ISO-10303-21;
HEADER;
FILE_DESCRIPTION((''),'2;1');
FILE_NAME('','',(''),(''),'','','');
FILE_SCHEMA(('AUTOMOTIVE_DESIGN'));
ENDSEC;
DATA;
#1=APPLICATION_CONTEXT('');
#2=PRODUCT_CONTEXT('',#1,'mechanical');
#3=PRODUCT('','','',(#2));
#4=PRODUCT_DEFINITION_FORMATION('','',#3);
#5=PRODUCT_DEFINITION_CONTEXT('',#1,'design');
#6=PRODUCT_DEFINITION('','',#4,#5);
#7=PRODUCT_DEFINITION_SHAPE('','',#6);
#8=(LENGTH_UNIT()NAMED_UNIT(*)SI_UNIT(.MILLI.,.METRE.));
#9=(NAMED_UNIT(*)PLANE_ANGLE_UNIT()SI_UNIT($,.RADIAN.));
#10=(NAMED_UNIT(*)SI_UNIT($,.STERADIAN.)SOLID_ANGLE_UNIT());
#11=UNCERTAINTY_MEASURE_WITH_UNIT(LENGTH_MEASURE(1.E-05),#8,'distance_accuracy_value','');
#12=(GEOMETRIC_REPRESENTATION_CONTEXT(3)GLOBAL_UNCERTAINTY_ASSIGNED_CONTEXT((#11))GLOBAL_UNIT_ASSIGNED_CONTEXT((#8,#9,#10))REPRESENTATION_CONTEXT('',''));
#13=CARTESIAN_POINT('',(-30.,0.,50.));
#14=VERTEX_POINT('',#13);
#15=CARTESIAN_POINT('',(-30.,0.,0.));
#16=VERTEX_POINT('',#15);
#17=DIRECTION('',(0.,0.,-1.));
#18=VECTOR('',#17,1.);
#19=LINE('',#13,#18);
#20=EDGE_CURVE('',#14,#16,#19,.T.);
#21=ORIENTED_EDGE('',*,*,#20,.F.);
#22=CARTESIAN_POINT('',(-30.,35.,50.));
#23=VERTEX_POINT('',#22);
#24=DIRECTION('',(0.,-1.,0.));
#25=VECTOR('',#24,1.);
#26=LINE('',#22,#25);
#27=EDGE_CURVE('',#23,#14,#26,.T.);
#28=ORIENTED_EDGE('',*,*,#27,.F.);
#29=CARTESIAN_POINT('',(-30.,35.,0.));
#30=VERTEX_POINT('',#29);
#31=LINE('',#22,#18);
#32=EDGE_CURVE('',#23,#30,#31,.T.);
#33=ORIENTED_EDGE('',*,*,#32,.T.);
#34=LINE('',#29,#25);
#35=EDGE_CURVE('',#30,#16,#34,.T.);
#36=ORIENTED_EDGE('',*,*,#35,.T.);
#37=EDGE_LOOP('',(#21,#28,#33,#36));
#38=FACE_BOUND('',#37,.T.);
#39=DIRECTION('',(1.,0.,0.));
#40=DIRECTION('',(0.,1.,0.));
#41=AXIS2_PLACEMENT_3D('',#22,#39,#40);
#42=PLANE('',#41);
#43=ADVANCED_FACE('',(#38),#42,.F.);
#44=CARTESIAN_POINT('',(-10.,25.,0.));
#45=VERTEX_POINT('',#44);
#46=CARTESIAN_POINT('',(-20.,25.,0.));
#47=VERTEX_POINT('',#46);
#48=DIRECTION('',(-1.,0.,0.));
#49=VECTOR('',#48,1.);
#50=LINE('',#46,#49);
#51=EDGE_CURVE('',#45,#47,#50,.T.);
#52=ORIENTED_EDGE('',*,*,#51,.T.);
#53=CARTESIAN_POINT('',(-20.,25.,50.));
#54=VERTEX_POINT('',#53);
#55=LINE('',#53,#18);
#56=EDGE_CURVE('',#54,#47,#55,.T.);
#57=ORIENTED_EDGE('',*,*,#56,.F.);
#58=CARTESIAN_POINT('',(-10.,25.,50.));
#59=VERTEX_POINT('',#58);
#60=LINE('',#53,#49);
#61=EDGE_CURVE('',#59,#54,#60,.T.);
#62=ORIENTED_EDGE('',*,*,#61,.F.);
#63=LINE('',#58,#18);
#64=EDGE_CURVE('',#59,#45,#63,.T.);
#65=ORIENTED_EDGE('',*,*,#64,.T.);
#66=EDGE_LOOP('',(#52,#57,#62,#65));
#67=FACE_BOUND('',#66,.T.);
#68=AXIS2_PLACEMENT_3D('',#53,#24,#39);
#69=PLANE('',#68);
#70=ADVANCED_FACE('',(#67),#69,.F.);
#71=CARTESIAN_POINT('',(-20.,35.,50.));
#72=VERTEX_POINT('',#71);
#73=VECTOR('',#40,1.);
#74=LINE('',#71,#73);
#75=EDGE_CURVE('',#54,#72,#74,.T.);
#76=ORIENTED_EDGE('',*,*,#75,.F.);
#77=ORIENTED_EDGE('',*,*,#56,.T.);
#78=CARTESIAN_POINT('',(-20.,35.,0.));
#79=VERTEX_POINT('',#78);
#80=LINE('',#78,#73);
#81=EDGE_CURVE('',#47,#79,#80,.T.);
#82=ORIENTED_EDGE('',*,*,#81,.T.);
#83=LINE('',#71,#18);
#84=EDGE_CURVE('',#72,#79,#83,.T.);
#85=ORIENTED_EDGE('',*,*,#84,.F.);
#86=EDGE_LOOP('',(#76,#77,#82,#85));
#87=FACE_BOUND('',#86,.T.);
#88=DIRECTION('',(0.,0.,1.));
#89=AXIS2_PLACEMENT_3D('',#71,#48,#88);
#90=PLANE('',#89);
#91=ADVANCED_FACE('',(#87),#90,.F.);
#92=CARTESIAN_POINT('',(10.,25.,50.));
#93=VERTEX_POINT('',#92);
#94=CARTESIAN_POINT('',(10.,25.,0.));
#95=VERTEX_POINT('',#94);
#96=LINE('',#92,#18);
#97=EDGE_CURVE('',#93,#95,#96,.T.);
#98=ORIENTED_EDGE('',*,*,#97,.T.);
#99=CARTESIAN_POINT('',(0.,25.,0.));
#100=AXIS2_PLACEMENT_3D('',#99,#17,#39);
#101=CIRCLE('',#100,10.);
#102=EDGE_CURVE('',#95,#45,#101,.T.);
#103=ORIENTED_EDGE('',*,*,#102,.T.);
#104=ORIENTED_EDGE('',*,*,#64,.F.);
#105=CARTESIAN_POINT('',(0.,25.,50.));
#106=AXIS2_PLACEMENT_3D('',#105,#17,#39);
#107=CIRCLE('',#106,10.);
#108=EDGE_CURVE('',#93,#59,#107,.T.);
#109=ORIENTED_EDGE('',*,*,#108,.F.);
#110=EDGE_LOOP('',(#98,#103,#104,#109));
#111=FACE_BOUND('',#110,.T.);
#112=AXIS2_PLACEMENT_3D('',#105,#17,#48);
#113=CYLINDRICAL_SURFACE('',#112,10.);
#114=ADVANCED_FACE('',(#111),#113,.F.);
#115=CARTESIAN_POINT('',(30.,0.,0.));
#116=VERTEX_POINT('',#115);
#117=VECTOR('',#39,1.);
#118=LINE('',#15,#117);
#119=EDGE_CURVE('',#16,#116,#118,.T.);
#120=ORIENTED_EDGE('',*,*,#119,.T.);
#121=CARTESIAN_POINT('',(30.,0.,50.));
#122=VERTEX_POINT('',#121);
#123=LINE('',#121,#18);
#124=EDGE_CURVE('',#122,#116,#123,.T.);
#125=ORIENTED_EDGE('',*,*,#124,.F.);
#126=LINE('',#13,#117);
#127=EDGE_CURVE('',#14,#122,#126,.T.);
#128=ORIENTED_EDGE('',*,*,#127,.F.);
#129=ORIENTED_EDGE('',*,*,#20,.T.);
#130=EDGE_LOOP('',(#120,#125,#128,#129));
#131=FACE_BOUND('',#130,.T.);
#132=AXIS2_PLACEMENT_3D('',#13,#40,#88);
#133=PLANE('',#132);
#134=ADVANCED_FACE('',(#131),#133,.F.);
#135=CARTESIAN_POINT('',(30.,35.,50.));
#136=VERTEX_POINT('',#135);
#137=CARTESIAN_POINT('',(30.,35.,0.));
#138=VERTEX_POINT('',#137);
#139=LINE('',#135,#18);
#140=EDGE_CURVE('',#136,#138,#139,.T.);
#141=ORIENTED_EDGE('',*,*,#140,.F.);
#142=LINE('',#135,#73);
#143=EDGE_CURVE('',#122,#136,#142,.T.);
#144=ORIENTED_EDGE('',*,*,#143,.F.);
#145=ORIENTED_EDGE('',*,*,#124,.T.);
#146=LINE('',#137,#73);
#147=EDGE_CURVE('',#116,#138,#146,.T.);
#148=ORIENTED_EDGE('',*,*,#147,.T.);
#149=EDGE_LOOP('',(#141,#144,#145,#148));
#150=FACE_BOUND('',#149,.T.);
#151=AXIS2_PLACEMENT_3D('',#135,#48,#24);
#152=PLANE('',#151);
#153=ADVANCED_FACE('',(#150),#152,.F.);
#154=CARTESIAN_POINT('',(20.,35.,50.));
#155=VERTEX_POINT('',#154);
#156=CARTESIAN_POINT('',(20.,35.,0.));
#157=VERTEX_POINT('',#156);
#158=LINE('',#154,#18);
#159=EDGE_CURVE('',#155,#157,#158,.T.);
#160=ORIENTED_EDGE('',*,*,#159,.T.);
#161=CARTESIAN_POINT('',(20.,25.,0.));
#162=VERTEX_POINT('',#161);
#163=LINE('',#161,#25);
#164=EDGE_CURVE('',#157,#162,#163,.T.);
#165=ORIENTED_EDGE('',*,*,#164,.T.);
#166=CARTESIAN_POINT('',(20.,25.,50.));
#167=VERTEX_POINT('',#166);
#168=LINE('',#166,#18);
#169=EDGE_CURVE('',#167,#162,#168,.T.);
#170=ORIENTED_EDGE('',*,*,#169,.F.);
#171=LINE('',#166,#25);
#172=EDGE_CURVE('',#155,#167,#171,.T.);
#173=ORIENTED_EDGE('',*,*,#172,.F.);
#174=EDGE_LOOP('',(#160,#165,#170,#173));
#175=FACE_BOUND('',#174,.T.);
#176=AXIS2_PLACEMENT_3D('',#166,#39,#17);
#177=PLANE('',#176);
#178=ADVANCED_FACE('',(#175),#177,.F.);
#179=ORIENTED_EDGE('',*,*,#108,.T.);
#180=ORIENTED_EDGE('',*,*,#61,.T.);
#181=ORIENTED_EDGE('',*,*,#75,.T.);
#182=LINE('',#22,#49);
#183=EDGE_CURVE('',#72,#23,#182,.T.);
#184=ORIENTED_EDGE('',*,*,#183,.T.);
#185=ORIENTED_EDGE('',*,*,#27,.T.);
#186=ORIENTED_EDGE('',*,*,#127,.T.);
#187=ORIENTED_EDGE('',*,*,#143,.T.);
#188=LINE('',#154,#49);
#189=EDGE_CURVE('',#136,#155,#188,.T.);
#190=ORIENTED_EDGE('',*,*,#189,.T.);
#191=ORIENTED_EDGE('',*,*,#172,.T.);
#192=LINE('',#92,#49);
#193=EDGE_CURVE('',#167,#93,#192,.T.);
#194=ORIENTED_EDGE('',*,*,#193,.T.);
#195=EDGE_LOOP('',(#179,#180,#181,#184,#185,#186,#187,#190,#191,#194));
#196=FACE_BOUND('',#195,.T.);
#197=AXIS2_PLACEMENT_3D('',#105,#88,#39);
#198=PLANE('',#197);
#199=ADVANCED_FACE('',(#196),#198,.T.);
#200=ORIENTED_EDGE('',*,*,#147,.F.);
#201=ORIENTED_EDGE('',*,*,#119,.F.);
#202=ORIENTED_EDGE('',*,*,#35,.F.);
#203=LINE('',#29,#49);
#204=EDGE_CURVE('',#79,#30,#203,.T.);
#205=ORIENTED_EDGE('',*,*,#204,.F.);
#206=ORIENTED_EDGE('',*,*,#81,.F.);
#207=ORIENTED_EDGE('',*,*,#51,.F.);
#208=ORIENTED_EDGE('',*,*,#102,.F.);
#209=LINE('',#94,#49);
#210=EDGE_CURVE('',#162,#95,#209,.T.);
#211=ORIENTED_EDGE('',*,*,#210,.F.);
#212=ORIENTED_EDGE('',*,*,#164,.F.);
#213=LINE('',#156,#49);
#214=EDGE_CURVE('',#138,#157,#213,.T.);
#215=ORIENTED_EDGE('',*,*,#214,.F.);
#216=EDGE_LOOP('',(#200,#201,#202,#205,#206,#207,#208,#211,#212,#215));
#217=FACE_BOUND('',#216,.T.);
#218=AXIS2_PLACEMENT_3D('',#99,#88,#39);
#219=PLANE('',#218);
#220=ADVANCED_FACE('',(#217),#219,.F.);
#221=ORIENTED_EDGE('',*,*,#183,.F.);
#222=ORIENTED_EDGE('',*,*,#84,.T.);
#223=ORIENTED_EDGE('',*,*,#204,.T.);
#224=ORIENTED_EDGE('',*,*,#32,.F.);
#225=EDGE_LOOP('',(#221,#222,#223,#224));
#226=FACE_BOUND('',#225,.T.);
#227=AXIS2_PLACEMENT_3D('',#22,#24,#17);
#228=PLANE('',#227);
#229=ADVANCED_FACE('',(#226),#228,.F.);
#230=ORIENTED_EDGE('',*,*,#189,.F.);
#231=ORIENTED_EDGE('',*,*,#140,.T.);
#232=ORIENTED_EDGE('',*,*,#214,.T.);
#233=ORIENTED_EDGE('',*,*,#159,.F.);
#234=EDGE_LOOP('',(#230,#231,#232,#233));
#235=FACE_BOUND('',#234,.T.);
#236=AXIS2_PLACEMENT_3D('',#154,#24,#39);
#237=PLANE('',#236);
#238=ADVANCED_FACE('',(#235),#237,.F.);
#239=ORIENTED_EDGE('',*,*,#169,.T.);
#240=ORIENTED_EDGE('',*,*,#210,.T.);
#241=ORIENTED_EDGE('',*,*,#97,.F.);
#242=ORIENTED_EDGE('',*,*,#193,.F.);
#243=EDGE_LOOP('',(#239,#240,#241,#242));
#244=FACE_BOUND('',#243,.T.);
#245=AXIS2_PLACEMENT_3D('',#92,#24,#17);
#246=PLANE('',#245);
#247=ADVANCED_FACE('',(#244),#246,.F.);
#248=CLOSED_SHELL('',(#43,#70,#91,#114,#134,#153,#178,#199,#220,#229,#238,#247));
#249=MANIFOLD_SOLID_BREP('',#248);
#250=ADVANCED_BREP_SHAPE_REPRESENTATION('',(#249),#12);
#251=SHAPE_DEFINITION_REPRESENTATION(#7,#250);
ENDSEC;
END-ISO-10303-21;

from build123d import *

# Parameters (mm, degrees)
BOSS_EXTRUDE1_DEPTH = 50


with BuildPart() as part:
    # Sketch1 → Boss-Extrude1 (new body)
    with BuildSketch(Plane.XY):
        with BuildLine():
            Line((-20, 35), (-20, 25))
            Line((-20, 25), (-10, 25))
            ThreePointArc((-10, 25), (0, 15), (10, 25))
            Line((10, 25), (20, 25))
            Line((20, 25), (20, 35))
            Line((20, 35), (30, 35))
            Line((30, 35), (30, 0))
            Line((30, 0), (-30, 0))
            Line((-30, 0), (-30, 35))
            Line((-30, 35), (-20, 35))
        make_face()
    extrude(amount=BOSS_EXTRUDE1_DEPTH)


solid = part.part
